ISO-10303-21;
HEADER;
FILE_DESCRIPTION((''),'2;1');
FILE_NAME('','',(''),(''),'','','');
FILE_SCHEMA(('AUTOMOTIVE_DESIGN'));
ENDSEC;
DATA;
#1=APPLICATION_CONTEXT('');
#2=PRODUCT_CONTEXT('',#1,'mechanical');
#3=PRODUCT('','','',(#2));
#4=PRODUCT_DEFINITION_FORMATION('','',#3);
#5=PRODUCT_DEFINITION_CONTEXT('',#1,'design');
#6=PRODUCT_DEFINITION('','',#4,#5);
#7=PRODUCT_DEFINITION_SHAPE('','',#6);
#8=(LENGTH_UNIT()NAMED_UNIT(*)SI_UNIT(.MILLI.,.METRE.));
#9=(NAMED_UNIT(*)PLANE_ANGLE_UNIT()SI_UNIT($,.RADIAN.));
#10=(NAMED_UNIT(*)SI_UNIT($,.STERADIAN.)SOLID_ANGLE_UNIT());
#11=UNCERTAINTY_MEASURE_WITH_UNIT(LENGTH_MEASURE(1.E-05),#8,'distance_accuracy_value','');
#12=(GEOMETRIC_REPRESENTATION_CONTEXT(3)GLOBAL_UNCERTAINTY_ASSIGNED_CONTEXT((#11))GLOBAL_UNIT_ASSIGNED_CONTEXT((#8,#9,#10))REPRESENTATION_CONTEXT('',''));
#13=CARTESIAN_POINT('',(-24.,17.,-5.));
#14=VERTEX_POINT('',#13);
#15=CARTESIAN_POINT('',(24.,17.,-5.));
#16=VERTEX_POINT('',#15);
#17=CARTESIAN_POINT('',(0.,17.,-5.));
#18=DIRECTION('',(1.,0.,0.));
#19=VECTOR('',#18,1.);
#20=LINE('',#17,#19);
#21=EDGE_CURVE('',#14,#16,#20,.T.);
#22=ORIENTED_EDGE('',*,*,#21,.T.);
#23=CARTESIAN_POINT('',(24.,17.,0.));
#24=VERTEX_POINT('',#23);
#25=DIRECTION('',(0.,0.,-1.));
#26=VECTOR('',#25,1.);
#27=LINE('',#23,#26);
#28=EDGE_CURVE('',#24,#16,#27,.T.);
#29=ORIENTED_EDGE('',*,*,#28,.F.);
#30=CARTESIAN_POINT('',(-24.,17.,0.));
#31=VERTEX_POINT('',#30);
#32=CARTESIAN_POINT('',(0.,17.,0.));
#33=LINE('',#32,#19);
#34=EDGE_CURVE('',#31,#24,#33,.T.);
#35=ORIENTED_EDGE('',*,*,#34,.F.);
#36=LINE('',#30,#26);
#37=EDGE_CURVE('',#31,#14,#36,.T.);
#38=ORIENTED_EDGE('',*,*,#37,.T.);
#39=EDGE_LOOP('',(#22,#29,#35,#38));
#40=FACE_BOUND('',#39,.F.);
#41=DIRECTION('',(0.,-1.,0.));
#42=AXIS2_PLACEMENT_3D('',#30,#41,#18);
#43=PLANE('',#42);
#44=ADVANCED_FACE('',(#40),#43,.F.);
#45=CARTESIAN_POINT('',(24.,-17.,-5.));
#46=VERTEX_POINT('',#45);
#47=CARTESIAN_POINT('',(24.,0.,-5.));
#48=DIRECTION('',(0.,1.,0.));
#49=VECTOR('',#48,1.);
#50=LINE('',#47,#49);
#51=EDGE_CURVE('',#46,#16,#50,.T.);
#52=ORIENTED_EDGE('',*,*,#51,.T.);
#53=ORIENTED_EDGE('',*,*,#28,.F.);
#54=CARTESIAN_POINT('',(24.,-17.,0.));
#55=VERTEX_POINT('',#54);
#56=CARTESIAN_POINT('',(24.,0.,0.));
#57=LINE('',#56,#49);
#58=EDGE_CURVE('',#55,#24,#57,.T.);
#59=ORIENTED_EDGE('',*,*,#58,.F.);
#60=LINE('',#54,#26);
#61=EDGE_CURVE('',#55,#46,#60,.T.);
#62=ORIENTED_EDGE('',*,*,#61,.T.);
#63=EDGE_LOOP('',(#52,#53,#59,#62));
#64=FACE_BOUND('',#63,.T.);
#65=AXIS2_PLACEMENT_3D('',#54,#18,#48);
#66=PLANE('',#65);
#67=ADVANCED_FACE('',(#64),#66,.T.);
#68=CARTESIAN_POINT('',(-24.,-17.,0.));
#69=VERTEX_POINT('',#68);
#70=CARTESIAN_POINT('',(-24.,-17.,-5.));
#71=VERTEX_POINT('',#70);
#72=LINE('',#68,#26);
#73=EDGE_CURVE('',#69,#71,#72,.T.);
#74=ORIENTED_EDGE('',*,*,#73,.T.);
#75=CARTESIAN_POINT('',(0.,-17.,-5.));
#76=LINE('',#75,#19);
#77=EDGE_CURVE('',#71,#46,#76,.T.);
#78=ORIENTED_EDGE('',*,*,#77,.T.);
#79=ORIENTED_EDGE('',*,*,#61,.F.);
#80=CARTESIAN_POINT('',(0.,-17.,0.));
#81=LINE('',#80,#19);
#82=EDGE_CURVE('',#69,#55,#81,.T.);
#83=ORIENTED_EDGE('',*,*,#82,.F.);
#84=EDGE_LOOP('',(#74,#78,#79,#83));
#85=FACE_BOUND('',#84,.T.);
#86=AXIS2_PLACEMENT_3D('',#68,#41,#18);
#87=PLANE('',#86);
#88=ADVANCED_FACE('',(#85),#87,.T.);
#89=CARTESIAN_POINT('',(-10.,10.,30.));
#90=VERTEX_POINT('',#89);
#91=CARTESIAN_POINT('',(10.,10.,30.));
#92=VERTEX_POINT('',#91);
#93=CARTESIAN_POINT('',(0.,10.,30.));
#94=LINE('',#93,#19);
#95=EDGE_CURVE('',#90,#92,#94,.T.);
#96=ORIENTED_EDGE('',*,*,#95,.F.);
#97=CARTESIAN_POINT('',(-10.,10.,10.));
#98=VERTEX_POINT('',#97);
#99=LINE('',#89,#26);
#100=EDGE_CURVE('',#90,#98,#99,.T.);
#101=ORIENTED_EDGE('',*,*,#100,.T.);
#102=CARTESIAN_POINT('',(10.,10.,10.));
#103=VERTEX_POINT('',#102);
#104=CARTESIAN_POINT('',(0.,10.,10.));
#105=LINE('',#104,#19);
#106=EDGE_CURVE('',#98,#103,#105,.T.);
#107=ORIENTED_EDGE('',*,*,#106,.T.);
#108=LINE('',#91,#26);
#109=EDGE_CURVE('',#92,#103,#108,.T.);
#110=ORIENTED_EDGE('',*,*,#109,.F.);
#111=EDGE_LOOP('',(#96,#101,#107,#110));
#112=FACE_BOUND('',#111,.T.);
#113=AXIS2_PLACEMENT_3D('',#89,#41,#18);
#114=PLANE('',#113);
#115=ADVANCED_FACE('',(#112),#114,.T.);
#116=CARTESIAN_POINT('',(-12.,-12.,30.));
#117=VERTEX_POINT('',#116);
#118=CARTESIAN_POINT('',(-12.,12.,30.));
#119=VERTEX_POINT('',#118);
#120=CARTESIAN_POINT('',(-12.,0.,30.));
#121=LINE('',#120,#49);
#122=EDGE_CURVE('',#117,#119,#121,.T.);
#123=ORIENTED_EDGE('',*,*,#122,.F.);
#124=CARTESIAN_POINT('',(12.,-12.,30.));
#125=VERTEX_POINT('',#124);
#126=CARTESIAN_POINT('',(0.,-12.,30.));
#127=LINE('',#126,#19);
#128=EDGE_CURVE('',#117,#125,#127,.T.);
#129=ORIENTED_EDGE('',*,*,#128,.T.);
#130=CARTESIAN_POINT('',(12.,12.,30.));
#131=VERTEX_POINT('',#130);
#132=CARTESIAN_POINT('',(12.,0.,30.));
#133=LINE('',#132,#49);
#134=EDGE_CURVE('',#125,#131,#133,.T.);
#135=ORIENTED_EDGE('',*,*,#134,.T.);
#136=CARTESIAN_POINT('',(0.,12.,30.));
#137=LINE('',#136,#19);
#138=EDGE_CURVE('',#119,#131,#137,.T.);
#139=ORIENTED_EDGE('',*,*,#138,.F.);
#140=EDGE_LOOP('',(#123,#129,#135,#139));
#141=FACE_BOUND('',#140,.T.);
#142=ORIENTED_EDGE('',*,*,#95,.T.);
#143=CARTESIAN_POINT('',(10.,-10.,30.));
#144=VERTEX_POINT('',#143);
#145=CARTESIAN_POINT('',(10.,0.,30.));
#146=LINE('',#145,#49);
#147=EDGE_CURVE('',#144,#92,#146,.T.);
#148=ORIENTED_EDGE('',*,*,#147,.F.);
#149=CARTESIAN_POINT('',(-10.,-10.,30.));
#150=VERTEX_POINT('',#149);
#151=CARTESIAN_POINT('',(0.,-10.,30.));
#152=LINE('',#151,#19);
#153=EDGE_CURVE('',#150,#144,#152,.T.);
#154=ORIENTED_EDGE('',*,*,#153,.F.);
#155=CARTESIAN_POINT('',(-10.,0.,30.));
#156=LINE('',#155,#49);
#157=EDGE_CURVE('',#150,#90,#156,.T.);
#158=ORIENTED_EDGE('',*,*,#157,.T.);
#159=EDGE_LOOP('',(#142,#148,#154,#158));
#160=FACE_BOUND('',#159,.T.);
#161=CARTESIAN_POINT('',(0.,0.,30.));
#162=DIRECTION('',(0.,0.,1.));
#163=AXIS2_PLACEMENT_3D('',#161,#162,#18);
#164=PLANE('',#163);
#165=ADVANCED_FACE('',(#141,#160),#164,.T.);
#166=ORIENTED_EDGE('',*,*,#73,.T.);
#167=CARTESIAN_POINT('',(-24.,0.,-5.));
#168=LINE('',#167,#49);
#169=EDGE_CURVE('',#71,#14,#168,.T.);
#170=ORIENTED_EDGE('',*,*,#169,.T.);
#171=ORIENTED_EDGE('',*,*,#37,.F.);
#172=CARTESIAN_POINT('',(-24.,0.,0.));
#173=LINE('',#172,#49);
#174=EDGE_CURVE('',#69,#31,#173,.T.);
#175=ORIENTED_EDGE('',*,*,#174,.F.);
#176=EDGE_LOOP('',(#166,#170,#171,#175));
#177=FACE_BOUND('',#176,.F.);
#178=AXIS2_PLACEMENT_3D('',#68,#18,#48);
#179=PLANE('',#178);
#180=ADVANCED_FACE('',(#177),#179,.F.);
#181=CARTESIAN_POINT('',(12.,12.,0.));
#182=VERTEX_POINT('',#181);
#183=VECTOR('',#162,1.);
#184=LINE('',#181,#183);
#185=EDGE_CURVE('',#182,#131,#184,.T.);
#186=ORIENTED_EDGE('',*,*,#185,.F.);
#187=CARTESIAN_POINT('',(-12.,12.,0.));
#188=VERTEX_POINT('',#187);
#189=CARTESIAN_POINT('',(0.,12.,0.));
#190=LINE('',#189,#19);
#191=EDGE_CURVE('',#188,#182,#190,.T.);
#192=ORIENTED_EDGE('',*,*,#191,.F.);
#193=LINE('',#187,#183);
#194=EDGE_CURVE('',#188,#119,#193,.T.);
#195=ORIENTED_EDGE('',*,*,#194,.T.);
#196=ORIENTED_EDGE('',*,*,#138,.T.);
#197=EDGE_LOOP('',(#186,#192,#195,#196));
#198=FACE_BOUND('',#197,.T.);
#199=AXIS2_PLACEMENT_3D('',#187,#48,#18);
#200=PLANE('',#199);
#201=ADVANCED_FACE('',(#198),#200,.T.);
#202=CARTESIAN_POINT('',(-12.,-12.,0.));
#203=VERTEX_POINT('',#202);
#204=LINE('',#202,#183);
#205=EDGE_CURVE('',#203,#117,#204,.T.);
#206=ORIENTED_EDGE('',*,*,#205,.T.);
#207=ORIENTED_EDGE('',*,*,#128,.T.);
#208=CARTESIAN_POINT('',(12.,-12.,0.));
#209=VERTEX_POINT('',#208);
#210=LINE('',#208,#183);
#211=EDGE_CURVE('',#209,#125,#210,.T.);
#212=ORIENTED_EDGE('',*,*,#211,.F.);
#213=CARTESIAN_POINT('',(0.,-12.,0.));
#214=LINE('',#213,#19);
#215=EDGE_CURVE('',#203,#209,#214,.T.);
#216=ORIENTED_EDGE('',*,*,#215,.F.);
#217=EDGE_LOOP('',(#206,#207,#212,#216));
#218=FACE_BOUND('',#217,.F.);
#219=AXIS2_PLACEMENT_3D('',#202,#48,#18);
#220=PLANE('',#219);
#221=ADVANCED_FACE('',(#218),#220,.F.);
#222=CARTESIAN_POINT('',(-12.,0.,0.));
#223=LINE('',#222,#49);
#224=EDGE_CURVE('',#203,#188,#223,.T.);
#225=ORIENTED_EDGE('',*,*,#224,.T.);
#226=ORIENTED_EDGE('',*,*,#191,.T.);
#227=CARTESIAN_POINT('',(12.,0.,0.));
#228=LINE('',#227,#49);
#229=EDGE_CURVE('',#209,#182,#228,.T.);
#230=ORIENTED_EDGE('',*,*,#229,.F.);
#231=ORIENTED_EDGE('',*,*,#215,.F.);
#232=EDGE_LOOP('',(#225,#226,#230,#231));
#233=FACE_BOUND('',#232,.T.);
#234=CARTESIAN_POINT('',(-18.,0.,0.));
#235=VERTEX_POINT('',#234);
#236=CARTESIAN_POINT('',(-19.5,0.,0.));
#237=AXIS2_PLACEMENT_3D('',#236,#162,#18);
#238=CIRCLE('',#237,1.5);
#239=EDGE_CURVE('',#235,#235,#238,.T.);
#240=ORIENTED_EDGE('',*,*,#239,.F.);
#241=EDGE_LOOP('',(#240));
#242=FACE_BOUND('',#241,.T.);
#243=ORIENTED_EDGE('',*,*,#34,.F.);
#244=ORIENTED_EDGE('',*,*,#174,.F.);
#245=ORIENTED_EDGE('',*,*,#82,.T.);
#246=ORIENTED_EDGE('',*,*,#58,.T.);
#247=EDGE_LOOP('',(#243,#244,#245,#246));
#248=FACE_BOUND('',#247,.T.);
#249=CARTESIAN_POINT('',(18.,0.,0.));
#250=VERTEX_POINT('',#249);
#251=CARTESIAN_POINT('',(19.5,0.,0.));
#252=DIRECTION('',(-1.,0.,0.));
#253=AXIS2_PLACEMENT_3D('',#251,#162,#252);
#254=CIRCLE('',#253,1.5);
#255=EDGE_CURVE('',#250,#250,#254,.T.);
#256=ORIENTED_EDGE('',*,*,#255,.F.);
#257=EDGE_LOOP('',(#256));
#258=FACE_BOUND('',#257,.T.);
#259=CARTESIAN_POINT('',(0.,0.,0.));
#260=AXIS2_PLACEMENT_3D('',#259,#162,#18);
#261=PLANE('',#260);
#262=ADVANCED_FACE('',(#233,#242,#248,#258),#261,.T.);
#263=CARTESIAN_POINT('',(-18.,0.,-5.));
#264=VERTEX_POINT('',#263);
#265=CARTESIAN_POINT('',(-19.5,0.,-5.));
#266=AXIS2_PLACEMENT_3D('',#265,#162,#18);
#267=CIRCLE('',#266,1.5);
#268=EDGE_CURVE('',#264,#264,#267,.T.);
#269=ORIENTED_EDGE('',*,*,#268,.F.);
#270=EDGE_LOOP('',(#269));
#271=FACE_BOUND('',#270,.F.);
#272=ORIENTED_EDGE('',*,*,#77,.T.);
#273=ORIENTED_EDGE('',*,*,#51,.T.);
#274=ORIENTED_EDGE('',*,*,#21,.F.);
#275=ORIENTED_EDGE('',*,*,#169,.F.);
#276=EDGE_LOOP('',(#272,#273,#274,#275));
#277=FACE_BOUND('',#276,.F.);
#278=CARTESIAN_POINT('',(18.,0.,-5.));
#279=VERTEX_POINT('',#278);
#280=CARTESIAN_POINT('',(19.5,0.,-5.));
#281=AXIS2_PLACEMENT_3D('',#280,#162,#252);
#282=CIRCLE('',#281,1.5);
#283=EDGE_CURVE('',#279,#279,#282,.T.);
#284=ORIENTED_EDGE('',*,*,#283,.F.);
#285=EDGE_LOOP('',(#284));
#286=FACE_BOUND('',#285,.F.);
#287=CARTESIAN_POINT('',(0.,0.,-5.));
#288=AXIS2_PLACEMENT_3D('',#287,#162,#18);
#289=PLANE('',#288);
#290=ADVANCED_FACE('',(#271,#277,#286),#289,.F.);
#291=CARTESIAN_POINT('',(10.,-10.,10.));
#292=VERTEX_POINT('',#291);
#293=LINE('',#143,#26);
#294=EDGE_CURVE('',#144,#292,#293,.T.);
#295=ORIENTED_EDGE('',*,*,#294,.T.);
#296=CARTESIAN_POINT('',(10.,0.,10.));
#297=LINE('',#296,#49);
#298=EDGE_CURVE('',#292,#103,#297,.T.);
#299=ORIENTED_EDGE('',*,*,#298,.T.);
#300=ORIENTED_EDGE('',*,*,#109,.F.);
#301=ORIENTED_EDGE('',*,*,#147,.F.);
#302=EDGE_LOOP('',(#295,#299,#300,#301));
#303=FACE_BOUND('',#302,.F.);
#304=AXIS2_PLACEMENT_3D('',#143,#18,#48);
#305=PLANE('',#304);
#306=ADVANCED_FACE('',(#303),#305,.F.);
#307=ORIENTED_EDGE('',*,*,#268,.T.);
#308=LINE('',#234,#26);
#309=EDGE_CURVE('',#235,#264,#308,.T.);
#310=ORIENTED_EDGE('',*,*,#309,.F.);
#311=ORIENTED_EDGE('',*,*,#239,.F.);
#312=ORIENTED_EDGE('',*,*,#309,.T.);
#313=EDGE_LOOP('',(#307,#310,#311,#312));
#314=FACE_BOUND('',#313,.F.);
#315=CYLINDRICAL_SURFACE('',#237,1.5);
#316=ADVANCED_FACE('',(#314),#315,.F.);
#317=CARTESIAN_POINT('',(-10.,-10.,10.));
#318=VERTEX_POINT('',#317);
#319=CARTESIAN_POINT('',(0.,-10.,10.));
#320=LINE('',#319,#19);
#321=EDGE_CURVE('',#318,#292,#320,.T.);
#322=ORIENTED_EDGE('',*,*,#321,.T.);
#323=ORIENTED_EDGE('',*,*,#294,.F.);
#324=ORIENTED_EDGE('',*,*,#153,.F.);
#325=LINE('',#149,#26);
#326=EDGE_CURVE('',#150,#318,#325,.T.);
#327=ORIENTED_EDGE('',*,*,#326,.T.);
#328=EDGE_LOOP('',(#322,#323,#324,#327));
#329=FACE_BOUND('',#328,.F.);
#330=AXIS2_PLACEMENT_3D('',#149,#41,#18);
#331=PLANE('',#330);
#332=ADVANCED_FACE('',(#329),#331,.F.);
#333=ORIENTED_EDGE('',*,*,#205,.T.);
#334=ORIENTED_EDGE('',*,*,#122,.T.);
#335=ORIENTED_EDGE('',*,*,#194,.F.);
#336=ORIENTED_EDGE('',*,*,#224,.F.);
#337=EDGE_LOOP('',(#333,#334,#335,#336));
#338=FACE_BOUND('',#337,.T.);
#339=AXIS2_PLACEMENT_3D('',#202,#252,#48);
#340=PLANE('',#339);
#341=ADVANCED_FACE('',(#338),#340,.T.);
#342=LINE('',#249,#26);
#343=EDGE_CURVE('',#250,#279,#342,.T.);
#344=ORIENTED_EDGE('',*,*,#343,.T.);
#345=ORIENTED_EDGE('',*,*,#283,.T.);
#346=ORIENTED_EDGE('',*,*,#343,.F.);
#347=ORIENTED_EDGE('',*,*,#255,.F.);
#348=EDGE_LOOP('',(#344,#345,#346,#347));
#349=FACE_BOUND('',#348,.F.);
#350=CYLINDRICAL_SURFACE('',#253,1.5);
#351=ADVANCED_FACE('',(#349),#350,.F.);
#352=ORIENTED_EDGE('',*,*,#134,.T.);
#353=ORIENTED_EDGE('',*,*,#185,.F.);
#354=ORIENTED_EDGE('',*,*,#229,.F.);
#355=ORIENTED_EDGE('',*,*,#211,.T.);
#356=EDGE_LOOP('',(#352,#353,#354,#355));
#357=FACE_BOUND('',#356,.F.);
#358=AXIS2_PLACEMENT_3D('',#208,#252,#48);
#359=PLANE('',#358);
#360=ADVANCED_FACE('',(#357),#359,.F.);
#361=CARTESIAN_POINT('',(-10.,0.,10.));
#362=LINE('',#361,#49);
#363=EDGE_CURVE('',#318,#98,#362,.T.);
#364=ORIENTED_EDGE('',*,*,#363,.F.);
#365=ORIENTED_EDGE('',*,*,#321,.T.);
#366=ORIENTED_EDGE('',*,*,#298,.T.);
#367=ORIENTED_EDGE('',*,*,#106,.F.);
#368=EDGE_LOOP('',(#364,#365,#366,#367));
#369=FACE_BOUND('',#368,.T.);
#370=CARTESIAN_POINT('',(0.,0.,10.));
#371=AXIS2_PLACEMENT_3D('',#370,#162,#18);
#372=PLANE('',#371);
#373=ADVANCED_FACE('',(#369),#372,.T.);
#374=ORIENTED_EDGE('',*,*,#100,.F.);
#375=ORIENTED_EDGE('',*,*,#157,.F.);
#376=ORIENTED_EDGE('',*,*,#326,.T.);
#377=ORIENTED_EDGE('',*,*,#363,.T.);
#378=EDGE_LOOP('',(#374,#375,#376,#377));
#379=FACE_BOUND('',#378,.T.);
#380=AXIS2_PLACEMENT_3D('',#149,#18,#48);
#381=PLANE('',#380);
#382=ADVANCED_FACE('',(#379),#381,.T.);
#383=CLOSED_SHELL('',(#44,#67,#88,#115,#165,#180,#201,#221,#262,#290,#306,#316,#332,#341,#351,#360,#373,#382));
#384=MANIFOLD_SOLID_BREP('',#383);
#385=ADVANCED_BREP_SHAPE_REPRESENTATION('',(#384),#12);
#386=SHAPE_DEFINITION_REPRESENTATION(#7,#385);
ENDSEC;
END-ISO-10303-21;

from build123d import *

# Parameters (mm, degrees)
F0_W     = 48
F0_H     = 34
F1_DEPTH = 5
F2_R     = 1.5
F3_DEPTH = 5
F4_W     = 24
F4_H     = 24
F5_DEPTH = 30
F6_W     = 20
F6_H     = 20
F7_DEPTH = 20


with BuildPart() as f1:
    # F0 (on Top) → F1 (new body)
    with BuildSketch(Plane.XY):
        Rectangle(F0_W, F0_H)
    extrude(amount=-F1_DEPTH)

    # F2 (on face) → F3 (cut)
    with BuildSketch(Plane.XY):
        with Locations((-19.5, 0)):
            Circle(F2_R)
        with BuildLine():
            ThreePointArc((21, 0), (19.5, 1.5), (18, 0))
            ThreePointArc((18, 0), (19.5, -1.5), (21, 0))
        make_face()
    extrude(amount=-F3_DEPTH, mode=Mode.SUBTRACT)

    # F4 (on face) → F5 (join)
    with BuildSketch(Plane.XY):
        Rectangle(F4_W, F4_H)
    extrude(amount=F5_DEPTH)

    # F6 (on face) → F7 (cut)
    with BuildSketch(Plane.XY.offset(30)):
        Rectangle(F6_W, F6_H)
    extrude(amount=-F7_DEPTH, mode=Mode.SUBTRACT)


solid = f1.part
